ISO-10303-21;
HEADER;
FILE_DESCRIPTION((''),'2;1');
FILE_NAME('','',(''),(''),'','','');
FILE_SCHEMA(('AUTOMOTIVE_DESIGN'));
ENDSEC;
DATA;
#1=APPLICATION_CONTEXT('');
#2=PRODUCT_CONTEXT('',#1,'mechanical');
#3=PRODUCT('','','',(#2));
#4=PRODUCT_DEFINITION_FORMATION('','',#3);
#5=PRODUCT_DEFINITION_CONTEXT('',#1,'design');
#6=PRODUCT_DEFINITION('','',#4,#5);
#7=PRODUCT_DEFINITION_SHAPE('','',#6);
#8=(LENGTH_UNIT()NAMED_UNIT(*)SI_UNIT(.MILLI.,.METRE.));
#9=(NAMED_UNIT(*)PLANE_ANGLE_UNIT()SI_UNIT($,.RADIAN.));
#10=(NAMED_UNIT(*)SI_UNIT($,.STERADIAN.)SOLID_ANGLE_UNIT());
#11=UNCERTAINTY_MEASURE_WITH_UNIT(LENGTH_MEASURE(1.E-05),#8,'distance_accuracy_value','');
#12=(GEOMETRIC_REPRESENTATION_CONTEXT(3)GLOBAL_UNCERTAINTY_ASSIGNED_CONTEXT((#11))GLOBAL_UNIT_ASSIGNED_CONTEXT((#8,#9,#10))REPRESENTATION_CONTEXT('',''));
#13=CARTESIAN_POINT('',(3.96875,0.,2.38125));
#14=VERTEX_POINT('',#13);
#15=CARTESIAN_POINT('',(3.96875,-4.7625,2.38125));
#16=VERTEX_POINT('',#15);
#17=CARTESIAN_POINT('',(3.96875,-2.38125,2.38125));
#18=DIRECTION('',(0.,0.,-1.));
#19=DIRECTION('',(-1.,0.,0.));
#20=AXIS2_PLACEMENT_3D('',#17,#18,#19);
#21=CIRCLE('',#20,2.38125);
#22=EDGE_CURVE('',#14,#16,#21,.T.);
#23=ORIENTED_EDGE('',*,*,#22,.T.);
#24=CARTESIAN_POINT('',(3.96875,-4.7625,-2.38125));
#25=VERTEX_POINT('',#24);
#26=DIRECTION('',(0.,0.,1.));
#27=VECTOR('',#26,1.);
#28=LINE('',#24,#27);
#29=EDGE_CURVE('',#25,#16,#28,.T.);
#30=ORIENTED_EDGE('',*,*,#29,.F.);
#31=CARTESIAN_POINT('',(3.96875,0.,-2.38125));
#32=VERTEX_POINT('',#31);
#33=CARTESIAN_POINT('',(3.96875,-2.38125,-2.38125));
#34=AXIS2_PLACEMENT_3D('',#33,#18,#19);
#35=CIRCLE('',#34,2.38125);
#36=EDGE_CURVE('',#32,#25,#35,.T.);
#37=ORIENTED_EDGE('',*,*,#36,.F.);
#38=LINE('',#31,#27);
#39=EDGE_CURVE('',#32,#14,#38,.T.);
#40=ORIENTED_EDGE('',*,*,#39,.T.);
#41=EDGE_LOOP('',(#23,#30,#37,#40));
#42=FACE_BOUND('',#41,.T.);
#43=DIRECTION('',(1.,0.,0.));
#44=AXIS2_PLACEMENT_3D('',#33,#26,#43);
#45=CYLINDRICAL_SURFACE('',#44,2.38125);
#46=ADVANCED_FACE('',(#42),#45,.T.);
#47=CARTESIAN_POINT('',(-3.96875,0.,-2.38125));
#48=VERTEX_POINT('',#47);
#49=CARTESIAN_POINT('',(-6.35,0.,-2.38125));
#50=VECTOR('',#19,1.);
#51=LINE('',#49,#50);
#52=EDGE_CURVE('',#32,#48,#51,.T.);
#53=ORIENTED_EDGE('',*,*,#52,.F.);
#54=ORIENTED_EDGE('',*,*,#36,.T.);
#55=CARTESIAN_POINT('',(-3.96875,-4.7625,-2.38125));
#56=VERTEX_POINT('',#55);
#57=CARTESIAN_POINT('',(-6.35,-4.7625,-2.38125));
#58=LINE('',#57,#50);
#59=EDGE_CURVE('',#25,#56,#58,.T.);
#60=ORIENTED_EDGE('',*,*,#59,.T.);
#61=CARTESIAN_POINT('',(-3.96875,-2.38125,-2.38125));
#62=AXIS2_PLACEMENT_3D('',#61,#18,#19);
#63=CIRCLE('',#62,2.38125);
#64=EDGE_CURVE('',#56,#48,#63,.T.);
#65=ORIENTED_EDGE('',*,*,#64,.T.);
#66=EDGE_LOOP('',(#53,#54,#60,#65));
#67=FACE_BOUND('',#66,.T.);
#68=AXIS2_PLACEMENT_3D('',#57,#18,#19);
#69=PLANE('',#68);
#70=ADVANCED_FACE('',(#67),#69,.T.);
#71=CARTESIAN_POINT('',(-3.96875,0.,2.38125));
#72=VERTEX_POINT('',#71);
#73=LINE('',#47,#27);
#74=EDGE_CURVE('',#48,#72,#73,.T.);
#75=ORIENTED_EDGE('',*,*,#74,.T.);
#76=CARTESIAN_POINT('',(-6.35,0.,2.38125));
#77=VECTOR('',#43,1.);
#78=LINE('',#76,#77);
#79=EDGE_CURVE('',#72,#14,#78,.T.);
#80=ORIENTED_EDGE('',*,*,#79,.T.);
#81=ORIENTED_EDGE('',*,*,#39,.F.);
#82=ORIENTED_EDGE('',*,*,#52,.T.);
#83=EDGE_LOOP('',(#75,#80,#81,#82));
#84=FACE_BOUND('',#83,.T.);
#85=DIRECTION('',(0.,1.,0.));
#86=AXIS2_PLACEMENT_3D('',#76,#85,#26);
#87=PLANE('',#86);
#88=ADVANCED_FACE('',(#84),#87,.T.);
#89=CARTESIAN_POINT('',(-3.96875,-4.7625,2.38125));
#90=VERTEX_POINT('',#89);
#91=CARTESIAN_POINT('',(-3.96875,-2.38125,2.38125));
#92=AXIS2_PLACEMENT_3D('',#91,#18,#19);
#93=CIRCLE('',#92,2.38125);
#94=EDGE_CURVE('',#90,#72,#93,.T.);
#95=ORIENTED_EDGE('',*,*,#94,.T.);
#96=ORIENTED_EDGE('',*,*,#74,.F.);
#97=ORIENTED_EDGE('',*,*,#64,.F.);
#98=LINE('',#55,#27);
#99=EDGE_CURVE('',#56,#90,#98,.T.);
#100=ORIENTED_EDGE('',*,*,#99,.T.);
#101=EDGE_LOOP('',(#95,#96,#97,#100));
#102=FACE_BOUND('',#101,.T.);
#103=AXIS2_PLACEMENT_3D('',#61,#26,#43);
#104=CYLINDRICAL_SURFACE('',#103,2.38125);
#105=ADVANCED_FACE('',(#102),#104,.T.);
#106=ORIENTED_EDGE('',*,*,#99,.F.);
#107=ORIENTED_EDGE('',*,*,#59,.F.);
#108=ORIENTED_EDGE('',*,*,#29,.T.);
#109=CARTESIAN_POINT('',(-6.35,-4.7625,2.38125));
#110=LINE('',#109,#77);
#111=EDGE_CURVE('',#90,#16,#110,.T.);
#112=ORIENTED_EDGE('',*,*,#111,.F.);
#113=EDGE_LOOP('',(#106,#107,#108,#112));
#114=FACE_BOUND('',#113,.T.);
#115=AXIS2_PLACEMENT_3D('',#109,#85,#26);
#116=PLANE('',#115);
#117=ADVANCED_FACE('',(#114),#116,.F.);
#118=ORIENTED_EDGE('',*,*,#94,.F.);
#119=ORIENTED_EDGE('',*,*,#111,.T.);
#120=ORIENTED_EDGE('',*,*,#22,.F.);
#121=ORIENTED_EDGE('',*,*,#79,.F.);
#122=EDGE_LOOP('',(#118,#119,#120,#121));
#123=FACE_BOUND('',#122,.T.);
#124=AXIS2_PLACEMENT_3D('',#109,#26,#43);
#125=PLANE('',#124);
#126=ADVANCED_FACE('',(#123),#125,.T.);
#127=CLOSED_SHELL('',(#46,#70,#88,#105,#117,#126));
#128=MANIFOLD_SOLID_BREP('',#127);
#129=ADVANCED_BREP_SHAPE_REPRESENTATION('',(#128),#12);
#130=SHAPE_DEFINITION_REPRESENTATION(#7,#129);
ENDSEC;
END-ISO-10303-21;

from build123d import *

# Parameters (mm, degrees)
SKETCH1_W         = 12.7
SKETCH1_H         = 4.7625
EXTRUDE1_DEPTH    = 4.7625
SKETCH2_OUTSIDE_W = 17.576
SKETCH2_OUTSIDE_H = 9.638
EXTRUDE2_DEPTH    = 53.218857346


with BuildPart() as part:
    # Sketch1 → Extrude1 (new body)
    with BuildSketch(Plane(origin=(0, 0, 0), x_dir=(1, 0, 0), z_dir=(0, 1, 0))):
        Rectangle(SKETCH1_W, SKETCH1_H)
    extrude(amount=-EXTRUDE1_DEPTH)

    # Sketch2 outside → Extrude2 (cut, through all)
    with BuildSketch(Plane(origin=(44.45, 6.35, 2.38125), x_dir=(-1, 0, 0), z_dir=(0, 0, -1))):
        with Locations((44.45, -8.731)):
            Rectangle(SKETCH2_OUTSIDE_W, SKETCH2_OUTSIDE_H)
        with BuildLine():
            Line((40.48125, -6.35), (48.41875, -6.35))
            ThreePointArc((48.41875, -6.35), (50.8, -8.73125), (48.41875, -11.1125))
            Line((48.41875, -11.1125), (40.48125, -11.1125))
            ThreePointArc((40.48125, -11.1125), (38.1, -8.73125), (40.48125, -6.35))
        make_face(mode=Mode.SUBTRACT)
    extrude(amount=EXTRUDE2_DEPTH, mode=Mode.SUBTRACT)


solid = part.part
